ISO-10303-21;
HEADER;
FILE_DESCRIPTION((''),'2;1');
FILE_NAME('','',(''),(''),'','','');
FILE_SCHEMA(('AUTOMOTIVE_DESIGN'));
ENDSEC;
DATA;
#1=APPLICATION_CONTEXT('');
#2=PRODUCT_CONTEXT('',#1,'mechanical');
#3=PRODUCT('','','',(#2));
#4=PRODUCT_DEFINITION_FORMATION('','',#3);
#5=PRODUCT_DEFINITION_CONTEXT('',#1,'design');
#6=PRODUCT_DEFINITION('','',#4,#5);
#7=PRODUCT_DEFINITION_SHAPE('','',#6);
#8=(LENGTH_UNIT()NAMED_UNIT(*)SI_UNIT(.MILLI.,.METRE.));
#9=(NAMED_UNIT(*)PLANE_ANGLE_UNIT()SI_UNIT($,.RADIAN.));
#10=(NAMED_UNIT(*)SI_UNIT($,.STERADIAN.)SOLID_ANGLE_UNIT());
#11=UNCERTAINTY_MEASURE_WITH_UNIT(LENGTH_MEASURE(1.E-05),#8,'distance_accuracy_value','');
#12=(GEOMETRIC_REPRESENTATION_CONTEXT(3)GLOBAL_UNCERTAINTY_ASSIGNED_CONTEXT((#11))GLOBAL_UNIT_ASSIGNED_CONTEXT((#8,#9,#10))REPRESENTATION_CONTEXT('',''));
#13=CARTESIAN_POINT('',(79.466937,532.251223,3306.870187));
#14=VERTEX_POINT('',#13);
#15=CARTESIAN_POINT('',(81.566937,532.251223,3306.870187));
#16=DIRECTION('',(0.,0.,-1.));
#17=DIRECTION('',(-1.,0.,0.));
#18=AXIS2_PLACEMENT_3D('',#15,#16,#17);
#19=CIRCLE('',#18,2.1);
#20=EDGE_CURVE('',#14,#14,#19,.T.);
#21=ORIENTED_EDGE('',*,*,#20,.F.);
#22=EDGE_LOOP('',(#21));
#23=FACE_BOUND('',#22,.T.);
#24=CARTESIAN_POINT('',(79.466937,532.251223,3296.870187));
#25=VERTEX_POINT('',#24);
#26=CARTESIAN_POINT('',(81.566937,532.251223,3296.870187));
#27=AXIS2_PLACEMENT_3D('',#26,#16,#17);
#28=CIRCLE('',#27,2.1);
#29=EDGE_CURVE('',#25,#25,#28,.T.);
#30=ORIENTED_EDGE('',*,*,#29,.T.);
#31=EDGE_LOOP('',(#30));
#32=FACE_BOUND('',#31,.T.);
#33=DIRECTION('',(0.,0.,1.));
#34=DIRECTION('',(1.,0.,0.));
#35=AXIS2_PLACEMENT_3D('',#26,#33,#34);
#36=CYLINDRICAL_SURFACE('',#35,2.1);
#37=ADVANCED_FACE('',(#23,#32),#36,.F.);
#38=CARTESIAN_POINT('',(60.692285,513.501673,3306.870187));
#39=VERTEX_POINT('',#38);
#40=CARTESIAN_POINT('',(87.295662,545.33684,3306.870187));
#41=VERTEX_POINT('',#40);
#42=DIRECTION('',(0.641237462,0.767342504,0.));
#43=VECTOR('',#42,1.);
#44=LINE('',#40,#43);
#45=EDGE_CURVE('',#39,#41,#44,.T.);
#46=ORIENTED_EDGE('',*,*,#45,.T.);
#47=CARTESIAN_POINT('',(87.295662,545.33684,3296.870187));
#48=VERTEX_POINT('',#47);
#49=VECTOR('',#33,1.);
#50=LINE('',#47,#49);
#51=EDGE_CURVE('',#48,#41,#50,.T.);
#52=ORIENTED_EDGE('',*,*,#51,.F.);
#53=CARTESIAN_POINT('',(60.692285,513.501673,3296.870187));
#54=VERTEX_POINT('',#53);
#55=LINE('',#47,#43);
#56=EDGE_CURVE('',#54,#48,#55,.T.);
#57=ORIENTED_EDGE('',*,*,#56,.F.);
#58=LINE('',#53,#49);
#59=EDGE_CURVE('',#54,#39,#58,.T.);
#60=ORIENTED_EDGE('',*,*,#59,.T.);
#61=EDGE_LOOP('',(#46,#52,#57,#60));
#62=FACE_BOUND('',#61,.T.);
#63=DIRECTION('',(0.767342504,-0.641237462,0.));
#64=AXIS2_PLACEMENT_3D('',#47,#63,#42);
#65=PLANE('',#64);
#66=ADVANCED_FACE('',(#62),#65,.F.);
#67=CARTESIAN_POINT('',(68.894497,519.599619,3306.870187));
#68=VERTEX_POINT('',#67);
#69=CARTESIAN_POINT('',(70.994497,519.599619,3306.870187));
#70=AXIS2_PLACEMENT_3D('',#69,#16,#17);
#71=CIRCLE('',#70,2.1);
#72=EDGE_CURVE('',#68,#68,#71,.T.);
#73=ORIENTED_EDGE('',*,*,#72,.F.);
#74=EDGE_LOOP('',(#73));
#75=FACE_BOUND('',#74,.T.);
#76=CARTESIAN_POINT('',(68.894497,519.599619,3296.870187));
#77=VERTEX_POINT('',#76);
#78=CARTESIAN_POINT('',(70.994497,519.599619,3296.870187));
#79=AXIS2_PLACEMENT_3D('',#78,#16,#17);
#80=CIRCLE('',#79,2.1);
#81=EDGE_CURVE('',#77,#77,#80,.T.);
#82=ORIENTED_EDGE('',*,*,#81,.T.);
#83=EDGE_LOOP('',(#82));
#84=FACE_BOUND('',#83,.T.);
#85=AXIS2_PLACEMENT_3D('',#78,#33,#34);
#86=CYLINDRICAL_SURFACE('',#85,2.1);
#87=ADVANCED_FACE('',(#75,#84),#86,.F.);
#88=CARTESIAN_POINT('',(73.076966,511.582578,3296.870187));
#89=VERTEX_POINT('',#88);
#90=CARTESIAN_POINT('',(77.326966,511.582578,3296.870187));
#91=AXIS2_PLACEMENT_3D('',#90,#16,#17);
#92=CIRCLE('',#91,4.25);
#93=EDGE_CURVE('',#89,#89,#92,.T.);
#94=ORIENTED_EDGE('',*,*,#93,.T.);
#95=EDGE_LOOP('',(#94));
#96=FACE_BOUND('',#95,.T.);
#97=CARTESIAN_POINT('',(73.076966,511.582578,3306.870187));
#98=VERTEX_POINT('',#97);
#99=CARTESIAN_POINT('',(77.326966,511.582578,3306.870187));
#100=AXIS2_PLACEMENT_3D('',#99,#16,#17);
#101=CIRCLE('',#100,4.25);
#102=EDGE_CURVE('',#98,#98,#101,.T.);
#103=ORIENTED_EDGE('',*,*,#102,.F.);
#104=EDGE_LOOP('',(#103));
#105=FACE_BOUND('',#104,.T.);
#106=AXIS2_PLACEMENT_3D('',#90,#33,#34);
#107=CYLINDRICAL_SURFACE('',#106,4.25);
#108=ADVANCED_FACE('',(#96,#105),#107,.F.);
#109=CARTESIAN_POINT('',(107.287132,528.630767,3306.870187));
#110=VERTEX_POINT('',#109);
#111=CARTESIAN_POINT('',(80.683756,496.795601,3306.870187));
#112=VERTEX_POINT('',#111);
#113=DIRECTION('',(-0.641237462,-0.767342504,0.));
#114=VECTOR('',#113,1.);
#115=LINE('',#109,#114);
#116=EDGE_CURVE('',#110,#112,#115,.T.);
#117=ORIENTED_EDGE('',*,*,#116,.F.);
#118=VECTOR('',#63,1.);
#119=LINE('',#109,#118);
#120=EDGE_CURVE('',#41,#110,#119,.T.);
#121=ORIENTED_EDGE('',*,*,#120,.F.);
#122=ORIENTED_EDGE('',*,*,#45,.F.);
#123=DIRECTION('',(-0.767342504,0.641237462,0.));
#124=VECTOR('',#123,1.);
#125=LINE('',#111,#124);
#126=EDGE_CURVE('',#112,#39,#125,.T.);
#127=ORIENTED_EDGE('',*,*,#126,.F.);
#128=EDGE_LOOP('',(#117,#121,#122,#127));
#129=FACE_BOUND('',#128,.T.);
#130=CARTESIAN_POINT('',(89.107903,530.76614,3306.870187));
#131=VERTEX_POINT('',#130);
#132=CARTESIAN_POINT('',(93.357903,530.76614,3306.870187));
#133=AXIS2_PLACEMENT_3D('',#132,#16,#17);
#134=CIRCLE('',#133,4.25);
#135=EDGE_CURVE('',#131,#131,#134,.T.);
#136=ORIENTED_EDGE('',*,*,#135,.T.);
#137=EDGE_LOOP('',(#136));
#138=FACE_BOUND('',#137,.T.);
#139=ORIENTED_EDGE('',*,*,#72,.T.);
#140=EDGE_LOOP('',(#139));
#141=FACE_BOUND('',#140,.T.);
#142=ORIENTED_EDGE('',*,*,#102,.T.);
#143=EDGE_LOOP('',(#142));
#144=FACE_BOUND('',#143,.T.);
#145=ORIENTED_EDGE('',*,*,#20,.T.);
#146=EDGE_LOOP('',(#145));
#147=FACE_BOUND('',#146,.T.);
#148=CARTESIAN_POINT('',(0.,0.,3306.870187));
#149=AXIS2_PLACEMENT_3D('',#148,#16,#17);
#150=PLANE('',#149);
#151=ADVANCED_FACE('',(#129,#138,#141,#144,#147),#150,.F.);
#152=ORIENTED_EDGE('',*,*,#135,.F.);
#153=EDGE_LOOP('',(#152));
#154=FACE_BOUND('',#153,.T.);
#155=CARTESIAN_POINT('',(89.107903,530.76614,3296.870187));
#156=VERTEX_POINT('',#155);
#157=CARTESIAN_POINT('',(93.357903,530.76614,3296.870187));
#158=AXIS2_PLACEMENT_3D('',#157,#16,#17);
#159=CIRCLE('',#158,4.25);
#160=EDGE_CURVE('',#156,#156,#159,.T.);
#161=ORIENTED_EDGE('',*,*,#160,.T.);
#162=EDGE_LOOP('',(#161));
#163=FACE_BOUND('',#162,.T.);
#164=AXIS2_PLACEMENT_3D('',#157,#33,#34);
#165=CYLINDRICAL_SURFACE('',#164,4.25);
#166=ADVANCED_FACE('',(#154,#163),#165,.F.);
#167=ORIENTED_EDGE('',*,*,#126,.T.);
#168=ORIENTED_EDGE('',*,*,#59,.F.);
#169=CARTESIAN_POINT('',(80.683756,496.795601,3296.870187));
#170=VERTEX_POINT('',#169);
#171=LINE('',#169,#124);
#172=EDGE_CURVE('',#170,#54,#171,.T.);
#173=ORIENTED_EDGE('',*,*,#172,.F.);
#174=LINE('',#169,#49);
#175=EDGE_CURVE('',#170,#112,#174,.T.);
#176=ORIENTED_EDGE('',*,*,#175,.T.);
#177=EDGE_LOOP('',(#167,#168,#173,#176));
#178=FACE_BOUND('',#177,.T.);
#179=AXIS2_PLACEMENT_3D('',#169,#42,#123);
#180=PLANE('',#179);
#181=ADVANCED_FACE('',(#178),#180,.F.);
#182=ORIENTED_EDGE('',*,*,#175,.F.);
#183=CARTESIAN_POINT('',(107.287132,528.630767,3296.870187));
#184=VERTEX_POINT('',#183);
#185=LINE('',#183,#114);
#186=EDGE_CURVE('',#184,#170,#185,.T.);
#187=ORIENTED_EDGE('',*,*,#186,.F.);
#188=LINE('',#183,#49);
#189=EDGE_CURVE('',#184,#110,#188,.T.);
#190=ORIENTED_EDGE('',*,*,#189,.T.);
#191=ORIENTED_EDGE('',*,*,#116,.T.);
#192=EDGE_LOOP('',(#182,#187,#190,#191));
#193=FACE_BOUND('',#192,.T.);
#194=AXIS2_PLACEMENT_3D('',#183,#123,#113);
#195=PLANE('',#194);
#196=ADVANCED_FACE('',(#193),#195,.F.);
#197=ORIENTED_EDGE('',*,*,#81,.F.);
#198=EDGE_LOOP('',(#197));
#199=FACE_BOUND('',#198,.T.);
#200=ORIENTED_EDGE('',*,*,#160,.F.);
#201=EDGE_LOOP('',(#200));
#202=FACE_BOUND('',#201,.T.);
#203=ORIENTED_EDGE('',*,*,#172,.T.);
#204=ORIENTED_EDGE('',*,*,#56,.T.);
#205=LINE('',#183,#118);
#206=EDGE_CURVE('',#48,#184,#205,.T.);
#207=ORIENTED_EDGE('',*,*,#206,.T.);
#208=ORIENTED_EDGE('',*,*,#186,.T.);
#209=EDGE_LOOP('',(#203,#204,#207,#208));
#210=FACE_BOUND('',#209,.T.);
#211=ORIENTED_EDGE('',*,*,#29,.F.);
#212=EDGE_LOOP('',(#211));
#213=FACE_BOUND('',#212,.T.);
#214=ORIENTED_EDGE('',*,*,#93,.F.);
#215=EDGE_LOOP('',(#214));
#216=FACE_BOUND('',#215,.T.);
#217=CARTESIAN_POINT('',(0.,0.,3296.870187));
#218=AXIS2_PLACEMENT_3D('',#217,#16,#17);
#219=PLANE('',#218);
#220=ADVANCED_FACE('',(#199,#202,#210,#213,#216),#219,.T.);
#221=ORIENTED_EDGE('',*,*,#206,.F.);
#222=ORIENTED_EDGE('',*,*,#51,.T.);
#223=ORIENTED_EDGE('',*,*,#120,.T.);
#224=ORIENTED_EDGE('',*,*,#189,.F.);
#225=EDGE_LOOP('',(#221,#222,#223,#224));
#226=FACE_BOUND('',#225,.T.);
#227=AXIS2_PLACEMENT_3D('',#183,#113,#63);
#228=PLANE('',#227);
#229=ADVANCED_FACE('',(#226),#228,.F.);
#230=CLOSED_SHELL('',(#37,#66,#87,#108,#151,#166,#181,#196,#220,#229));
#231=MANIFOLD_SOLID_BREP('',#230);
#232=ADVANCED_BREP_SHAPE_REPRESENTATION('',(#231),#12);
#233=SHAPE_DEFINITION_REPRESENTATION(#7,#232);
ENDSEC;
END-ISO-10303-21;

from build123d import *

# Parameters (mm, degrees)
SKETCH2_R           = 4.25
SKETCH2_R_2         = 2.1
BOSS_EXTRUDE1_DEPTH = 10


with BuildPart() as part:
    # Sketch2 → Boss-Extrude1 (new body)
    with BuildSketch(Plane(origin=(0, 0, 3306.870187265), x_dir=(-1, 0, 0), z_dir=(0, 0, -1))):
        Polygon((-107.287132076, 528.630767378), (-87.295661635, 545.336840216), (-60.692285166, 513.501673478), (-80.683755608, 496.79560064), align=None)
        with Locations((-77.326966288, 511.582577545)):
            Circle(SKETCH2_R, mode=Mode.SUBTRACT)
        with Locations((-93.357902826, 530.766140137)):
            Circle(SKETCH2_R, mode=Mode.SUBTRACT)
        with Locations((-81.566936891, 532.251222865)):
            Circle(SKETCH2_R_2, mode=Mode.SUBTRACT)
        with Locations((-70.99449696, 519.599618719)):
            Circle(SKETCH2_R_2, mode=Mode.SUBTRACT)
    extrude(amount=BOSS_EXTRUDE1_DEPTH)


solid = part.part
